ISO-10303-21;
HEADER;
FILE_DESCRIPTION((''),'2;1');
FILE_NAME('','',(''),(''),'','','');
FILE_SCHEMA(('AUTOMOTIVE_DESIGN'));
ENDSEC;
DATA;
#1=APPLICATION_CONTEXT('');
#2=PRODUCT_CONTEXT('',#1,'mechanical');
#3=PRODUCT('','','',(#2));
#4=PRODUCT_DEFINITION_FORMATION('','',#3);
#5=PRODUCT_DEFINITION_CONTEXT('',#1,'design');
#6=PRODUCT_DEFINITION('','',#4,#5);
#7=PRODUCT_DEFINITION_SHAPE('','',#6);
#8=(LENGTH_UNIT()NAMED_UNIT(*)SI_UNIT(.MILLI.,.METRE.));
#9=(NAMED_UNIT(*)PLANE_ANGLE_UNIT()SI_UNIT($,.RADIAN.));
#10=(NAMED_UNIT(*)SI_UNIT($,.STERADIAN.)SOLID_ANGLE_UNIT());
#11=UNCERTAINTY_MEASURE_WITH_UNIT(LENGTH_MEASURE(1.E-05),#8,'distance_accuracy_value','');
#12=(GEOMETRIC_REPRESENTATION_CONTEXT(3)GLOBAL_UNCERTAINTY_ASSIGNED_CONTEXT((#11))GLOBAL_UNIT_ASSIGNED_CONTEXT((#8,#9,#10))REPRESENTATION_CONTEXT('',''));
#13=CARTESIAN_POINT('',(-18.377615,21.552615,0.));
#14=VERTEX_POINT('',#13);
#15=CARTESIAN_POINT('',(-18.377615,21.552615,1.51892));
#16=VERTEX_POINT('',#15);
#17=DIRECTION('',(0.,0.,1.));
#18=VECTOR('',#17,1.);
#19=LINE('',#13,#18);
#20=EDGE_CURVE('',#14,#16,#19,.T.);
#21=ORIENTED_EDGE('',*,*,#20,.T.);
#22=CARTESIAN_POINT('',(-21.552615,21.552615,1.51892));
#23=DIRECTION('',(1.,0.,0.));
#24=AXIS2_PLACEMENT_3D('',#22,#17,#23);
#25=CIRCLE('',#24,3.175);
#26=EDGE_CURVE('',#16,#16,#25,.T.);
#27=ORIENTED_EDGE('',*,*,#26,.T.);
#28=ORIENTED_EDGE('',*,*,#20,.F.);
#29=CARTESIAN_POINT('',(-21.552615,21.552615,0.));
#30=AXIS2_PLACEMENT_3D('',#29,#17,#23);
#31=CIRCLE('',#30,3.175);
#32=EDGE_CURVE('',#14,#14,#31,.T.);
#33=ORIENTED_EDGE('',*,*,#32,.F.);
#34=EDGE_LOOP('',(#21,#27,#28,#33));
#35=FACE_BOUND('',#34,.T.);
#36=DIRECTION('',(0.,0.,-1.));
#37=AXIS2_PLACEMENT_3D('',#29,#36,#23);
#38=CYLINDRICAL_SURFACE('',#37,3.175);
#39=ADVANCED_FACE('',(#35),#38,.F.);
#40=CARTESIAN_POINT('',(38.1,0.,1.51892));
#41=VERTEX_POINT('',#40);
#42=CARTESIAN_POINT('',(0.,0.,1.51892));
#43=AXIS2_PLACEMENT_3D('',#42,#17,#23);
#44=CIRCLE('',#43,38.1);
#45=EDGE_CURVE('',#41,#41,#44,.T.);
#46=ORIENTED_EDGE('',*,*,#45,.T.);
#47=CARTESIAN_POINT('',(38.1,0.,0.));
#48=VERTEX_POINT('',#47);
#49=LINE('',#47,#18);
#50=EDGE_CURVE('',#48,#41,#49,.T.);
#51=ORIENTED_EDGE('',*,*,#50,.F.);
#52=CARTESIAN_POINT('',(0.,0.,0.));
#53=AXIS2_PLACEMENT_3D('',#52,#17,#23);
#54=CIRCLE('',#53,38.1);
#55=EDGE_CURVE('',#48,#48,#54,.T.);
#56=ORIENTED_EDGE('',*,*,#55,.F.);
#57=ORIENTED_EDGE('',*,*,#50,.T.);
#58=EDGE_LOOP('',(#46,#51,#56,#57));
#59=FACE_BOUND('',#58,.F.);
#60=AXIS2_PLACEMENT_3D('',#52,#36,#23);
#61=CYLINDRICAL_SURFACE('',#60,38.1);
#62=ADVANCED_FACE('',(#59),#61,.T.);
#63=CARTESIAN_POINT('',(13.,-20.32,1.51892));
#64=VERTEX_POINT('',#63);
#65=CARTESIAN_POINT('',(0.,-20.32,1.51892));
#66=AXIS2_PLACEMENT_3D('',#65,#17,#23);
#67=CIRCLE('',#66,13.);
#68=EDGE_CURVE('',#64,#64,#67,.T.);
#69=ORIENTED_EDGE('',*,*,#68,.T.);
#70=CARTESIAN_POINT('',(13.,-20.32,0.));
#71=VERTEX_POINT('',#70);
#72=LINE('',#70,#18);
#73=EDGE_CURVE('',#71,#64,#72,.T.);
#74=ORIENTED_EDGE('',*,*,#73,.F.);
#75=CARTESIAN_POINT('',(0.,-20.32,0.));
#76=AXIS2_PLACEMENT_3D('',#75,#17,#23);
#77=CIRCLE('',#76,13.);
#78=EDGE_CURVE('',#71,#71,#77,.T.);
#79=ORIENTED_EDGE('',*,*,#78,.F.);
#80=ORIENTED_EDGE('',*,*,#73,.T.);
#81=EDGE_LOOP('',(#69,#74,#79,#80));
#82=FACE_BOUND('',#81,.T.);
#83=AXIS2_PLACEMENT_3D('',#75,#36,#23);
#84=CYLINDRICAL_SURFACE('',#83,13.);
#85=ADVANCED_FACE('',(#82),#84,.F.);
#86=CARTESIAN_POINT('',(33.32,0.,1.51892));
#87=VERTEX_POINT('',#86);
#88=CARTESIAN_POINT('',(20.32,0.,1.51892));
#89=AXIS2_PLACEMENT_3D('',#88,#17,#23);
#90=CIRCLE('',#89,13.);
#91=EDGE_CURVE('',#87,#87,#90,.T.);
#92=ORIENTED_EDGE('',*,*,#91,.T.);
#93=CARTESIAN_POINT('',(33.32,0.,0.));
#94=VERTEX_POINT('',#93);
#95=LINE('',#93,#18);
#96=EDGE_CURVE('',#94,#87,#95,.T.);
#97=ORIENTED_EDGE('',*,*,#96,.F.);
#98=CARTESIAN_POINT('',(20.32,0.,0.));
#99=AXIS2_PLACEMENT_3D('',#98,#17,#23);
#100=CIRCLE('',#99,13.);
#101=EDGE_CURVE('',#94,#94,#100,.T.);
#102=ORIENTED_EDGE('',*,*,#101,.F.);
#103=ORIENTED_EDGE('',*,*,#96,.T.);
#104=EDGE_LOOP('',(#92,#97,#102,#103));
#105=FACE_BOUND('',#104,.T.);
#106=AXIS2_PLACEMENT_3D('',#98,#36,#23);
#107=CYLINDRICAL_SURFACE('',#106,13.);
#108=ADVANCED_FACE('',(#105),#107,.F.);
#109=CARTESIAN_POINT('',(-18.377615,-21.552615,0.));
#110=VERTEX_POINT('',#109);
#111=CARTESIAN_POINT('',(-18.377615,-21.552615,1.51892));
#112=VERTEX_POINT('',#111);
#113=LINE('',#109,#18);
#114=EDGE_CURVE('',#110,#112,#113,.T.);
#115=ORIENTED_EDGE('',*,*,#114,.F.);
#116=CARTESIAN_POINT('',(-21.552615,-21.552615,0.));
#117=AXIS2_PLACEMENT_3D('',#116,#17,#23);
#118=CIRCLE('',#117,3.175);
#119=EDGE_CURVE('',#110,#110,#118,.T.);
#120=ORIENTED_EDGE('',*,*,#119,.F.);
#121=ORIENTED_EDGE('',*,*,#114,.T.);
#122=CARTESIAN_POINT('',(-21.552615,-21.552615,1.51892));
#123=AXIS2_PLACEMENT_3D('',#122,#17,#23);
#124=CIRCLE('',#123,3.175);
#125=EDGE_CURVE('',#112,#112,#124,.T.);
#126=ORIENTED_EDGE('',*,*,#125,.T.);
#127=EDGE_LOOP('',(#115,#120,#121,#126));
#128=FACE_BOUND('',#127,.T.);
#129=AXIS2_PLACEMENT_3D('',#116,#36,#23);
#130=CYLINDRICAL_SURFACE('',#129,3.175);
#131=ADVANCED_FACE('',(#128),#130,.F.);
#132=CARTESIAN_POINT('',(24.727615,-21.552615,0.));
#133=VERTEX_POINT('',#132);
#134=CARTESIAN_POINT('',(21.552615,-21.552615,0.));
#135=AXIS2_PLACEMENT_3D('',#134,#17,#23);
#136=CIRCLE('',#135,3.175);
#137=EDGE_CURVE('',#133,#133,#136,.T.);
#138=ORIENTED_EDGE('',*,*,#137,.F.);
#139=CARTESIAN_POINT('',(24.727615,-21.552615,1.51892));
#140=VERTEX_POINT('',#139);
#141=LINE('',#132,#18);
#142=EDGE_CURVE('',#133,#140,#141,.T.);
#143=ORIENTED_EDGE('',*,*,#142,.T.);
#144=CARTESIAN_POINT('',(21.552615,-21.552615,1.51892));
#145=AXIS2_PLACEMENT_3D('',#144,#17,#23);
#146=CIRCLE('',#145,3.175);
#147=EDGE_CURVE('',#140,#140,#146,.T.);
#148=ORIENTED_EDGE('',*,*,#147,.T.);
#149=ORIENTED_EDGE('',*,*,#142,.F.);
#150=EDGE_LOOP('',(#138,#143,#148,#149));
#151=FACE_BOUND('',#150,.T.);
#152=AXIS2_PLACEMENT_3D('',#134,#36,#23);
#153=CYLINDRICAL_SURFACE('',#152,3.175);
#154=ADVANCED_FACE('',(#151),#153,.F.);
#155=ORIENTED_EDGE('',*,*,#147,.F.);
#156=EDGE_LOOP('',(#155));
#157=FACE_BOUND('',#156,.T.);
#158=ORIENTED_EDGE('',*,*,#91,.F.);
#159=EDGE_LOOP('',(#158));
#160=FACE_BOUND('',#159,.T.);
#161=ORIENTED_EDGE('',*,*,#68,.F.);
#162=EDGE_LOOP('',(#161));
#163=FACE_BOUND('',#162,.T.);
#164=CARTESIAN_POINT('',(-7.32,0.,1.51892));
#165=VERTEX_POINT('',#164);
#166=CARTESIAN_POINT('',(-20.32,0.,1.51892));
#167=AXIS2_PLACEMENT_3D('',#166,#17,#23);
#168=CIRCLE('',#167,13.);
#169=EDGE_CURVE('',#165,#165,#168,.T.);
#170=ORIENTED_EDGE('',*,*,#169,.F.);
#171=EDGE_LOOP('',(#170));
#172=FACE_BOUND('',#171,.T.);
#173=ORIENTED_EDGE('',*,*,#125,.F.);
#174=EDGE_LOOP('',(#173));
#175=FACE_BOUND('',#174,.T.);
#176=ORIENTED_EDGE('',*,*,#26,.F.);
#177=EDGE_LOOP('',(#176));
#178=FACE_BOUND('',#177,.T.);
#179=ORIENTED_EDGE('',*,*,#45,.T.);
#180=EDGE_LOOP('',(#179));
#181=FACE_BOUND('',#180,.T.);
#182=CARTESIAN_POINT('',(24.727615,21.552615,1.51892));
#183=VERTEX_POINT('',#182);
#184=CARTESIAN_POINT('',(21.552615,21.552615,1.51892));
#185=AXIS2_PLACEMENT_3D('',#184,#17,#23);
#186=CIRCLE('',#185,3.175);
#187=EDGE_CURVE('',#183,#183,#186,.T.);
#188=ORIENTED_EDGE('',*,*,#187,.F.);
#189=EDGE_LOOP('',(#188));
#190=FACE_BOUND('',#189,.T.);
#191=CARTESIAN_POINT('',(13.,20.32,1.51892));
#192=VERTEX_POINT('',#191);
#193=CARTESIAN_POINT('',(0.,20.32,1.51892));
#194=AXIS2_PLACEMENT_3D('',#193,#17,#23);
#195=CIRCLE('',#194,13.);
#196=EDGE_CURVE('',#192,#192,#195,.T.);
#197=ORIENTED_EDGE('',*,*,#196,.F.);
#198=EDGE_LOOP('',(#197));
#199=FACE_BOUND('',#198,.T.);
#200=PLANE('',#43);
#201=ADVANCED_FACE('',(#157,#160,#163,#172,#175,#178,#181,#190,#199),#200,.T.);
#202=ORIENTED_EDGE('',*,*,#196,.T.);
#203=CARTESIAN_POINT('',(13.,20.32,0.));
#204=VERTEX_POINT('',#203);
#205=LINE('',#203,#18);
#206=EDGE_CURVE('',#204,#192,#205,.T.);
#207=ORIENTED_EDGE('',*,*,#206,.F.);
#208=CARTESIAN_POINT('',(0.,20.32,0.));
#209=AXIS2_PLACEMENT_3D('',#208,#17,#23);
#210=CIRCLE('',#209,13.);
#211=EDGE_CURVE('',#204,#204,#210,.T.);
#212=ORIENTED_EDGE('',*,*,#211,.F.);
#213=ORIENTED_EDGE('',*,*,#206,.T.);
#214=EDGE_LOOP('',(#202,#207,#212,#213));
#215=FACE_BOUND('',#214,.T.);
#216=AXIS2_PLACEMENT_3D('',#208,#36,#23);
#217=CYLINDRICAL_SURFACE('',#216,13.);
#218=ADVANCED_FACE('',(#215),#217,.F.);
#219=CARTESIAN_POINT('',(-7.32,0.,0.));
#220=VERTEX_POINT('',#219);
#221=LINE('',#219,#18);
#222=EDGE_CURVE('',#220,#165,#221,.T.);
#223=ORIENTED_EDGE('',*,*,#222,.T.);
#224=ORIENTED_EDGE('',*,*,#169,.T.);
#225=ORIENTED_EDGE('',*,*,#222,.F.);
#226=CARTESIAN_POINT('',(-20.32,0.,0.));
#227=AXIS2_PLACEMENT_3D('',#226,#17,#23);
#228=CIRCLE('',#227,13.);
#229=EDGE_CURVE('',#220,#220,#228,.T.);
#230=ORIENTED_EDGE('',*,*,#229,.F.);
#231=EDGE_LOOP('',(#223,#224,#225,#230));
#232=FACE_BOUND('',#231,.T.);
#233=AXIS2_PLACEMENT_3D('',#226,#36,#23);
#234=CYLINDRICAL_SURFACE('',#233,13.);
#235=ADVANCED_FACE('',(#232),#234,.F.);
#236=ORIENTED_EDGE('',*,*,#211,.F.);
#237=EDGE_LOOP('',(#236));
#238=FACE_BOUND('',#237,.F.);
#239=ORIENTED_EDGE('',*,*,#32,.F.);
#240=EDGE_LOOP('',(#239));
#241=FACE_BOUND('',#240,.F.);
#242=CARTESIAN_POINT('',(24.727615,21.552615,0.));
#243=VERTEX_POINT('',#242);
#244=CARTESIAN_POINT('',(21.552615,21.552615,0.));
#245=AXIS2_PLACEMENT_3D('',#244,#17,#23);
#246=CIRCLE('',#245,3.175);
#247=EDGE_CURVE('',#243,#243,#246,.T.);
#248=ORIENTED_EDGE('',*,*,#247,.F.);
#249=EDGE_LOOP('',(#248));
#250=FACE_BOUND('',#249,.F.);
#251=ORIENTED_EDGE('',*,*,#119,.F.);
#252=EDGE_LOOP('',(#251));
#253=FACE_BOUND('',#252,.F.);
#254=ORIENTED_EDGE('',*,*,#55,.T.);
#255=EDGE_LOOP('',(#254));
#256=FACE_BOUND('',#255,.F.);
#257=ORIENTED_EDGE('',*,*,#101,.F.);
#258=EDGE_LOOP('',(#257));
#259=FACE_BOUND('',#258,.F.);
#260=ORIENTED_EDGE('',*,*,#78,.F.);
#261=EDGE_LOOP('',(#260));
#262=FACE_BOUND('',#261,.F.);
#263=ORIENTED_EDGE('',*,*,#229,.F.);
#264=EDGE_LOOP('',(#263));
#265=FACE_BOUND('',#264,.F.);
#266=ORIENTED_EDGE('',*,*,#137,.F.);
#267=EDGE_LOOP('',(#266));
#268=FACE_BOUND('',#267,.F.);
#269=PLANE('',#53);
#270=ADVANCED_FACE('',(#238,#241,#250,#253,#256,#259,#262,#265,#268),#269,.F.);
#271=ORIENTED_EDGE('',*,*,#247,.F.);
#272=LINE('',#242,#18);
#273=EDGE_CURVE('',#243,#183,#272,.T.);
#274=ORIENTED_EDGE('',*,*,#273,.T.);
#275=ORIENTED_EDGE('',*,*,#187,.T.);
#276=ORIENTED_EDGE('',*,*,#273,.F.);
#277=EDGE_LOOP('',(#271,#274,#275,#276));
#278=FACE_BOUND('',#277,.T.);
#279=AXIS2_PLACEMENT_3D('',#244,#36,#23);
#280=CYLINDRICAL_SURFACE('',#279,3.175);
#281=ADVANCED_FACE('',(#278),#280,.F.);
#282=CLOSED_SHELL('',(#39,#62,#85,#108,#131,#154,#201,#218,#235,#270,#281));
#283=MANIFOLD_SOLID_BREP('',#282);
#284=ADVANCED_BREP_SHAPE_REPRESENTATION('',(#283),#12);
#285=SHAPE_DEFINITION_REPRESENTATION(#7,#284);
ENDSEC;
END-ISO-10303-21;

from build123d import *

# Parameters (mm, degrees)
F0_R     = 38.1
F0_R_2   = 3.175
F0_R_3   = 13
F1_DEPTH = 1.51892


with BuildPart() as f1:
    # F0 (on Top) → F1 (new body)
    with BuildSketch(Plane.XY):
        Circle(F0_R)
        with Locations((-21.552615, -21.552615)):
            Circle(F0_R_2, mode=Mode.SUBTRACT)
        with Locations((0, -20.32)):
            Circle(F0_R_3, mode=Mode.SUBTRACT)
        with Locations((21.552615, -21.552615)):
            Circle(F0_R_2, mode=Mode.SUBTRACT)
        with Locations((-20.32, 0)):
            Circle(F0_R_3, mode=Mode.SUBTRACT)
        with Locations((-21.552615, 21.552615)):
            Circle(F0_R_2, mode=Mode.SUBTRACT)
        with Locations((20.32, 0)):
            Circle(F0_R_3, mode=Mode.SUBTRACT)
        with Locations((0, 20.32)):
            Circle(F0_R_3, mode=Mode.SUBTRACT)
        with Locations((21.552615, 21.552615)):
            Circle(F0_R_2, mode=Mode.SUBTRACT)
    extrude(amount=F1_DEPTH)


solid = f1.part
